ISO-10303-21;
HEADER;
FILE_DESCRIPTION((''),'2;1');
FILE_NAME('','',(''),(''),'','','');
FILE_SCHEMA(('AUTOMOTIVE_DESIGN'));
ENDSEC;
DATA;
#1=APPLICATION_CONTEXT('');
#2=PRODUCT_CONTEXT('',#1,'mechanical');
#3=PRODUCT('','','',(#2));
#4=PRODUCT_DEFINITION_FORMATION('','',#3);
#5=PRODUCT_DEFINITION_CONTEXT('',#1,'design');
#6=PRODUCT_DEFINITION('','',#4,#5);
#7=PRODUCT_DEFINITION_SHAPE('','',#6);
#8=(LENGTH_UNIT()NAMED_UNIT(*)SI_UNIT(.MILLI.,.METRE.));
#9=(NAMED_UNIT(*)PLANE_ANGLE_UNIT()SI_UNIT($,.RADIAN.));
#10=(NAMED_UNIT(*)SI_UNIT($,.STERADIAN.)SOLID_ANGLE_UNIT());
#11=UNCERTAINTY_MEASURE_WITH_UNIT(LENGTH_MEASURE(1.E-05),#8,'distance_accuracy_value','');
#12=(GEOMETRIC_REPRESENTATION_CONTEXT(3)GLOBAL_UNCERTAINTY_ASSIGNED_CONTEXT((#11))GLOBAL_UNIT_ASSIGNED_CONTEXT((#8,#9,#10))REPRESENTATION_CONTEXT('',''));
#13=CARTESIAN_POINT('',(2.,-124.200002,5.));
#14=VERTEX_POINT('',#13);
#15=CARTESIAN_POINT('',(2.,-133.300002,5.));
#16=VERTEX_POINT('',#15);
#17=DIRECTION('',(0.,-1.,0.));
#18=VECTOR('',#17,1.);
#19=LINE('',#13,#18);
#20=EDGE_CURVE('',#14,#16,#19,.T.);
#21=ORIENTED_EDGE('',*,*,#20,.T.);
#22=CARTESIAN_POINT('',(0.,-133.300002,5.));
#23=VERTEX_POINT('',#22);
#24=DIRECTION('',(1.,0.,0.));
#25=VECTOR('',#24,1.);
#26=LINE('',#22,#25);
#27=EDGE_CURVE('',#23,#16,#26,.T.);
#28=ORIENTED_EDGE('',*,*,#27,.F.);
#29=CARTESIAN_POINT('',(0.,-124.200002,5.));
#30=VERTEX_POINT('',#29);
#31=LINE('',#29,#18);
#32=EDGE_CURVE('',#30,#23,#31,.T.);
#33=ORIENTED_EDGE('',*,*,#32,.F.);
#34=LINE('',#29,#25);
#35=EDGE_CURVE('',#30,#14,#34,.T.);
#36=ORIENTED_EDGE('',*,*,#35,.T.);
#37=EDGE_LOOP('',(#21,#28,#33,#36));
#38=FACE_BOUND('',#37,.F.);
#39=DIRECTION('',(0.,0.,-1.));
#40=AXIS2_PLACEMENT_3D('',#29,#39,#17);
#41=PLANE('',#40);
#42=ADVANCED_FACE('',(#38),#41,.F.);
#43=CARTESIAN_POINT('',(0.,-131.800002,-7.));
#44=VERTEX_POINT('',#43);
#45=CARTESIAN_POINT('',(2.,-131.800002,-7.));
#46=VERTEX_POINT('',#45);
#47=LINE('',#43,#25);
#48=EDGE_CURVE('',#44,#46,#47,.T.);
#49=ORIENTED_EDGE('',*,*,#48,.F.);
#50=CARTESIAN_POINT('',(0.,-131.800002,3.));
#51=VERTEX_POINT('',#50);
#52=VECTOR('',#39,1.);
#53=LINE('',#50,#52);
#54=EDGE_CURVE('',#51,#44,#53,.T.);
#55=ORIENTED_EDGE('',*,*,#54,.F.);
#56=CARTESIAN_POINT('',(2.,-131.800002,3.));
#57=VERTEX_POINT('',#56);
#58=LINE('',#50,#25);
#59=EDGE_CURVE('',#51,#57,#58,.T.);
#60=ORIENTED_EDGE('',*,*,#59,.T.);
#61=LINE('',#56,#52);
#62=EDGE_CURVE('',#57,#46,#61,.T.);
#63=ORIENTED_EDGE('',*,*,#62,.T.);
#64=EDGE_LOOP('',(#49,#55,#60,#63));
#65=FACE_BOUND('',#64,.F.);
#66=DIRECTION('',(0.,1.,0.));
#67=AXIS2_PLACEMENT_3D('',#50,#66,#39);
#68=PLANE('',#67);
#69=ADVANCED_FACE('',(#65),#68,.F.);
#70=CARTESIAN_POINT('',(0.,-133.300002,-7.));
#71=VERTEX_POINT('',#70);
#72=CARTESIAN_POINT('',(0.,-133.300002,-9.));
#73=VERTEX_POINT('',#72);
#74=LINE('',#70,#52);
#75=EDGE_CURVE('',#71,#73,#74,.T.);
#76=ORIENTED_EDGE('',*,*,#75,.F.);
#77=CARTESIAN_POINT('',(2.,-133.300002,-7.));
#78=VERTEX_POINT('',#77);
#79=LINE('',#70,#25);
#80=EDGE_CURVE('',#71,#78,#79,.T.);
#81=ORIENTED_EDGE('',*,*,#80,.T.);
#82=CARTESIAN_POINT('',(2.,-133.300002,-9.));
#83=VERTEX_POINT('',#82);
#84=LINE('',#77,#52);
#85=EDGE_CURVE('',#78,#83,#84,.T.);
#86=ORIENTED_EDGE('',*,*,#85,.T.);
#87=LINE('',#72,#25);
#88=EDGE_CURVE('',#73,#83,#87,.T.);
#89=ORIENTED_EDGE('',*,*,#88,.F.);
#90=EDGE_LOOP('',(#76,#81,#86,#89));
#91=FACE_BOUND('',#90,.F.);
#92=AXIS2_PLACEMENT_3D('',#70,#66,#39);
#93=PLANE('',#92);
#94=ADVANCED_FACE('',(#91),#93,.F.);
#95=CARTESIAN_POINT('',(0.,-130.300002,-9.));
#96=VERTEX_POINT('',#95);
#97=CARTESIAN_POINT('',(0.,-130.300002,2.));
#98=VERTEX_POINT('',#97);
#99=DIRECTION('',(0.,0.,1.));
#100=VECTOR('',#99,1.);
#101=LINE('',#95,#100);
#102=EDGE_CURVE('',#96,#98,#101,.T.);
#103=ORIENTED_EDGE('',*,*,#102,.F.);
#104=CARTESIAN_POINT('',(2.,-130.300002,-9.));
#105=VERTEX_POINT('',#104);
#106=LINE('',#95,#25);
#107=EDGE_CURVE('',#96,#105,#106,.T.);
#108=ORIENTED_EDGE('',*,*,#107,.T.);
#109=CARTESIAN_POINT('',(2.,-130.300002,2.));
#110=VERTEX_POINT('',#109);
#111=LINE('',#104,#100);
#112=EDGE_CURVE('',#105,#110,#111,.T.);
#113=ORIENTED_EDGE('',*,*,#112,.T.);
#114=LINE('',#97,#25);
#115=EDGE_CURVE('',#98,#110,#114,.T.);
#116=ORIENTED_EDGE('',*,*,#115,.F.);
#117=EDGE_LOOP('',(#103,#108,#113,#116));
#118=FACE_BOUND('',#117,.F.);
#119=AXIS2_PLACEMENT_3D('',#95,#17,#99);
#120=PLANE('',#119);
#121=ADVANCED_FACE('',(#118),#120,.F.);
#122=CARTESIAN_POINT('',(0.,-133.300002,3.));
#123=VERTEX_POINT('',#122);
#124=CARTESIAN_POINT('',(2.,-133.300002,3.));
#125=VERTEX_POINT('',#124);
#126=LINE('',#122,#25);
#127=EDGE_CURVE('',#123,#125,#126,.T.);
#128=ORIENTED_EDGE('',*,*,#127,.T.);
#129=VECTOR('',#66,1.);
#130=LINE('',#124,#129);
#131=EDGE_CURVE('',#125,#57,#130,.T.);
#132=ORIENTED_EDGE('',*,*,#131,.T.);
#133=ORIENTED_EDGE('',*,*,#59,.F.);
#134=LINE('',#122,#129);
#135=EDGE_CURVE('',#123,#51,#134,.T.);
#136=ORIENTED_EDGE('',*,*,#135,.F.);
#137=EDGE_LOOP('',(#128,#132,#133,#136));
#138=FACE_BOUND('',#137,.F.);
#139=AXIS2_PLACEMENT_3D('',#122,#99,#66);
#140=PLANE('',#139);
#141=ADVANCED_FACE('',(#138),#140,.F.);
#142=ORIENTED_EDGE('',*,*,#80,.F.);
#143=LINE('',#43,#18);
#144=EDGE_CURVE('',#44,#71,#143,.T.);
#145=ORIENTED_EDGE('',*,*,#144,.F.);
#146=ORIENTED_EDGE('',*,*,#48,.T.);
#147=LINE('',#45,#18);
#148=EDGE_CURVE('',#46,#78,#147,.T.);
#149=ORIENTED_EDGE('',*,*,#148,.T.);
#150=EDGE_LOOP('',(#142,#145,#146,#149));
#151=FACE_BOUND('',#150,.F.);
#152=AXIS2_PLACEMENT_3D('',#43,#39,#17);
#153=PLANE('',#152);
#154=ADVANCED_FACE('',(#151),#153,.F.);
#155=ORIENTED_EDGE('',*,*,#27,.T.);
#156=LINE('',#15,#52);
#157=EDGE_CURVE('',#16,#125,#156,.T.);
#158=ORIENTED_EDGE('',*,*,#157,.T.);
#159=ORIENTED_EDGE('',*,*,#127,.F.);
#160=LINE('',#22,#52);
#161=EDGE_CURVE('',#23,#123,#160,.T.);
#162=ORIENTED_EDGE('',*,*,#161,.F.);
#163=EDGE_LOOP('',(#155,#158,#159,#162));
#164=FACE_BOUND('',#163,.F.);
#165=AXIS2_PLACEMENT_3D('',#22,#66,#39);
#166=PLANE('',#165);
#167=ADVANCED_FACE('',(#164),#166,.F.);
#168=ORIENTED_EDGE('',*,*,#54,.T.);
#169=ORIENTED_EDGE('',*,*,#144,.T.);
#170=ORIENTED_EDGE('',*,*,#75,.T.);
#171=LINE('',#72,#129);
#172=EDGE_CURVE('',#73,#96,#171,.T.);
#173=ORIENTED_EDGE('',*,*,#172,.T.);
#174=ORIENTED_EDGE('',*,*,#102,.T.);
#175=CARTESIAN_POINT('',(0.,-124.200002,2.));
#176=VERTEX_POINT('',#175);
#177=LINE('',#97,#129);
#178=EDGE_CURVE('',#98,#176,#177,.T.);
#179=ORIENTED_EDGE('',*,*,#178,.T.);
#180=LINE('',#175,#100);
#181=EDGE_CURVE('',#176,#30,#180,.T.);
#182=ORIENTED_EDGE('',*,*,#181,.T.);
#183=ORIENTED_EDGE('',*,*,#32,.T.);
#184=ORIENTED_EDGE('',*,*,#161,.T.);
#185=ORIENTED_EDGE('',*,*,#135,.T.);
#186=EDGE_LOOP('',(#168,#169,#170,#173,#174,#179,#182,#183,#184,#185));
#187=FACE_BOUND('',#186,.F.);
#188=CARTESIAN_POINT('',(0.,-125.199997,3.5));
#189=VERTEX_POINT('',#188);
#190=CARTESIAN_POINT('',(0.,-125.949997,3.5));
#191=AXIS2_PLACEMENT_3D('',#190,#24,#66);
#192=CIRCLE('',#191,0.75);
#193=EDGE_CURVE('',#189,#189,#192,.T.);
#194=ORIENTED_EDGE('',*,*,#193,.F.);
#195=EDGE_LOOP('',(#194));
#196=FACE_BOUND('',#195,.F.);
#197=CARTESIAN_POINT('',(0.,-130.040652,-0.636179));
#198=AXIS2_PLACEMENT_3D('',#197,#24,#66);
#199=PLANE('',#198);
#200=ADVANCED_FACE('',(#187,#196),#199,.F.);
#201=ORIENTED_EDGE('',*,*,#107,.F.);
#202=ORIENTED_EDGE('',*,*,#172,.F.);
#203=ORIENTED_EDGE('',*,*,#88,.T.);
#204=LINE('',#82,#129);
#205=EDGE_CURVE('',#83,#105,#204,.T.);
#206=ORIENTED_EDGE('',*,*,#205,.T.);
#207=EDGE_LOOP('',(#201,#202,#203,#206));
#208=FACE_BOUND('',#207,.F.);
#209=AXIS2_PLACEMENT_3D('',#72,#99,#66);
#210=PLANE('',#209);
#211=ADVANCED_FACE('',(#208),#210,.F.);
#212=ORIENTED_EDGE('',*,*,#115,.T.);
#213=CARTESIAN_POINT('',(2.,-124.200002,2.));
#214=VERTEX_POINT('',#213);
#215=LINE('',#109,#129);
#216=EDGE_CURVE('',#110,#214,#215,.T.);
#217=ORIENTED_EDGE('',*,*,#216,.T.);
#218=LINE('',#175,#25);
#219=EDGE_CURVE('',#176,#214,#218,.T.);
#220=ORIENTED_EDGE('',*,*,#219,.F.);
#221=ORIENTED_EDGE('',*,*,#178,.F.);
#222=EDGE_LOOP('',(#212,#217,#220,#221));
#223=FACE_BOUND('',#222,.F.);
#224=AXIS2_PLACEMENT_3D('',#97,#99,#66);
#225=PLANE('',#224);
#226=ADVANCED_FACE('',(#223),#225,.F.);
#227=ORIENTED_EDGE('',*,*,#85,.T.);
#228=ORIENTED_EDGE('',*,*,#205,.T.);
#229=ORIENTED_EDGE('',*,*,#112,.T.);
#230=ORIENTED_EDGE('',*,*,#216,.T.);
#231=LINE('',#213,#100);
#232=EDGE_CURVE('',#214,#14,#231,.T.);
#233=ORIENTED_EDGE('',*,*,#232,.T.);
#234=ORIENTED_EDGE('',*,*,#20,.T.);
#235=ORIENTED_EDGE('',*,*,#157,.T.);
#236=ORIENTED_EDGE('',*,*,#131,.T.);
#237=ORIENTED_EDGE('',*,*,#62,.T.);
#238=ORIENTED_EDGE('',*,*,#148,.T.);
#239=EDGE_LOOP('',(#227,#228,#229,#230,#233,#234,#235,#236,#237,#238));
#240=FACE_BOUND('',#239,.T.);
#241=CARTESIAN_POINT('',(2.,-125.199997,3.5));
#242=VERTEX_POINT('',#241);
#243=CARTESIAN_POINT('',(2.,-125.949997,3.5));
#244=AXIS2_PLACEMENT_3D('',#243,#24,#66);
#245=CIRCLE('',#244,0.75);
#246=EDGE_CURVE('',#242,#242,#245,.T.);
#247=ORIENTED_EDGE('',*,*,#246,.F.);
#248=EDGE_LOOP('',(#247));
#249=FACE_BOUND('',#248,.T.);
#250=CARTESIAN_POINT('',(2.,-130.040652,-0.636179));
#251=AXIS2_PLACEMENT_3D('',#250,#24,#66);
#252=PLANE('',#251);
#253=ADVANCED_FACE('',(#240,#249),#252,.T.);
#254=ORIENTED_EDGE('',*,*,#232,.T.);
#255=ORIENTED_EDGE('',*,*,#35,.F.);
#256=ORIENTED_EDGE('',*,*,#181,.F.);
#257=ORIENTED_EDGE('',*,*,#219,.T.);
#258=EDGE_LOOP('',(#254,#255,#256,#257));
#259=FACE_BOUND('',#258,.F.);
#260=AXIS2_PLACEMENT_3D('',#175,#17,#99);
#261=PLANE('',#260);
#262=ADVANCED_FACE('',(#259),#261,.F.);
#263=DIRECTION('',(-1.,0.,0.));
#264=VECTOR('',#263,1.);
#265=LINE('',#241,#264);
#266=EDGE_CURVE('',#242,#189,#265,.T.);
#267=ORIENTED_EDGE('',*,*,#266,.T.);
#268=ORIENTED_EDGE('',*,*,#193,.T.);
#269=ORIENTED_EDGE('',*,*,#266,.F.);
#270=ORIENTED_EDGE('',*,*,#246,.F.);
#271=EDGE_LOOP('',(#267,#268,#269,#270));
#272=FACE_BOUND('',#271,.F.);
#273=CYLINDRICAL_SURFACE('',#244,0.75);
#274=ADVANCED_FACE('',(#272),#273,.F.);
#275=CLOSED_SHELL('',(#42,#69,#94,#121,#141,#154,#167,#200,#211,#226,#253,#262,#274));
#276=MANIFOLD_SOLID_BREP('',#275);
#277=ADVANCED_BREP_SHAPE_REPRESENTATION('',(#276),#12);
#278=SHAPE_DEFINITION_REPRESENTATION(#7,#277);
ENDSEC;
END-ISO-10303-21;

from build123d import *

# Parameters (mm, degrees)
EXTRUDE041_DEPTH = 2
SKETCH113_R      = 0.75
HOLE025_DEPTH    = 2
HOLE025_TIPS_R   = 0.75


with BuildPart() as part:
    # Sketch090 → Extrude041 (new body)
    with BuildSketch(Plane.YZ):
        Polygon((-128.000002, 5), (-130.000002, 5), (-130.300002, 5), (-133.300002, 5), (-133.300002, 3), (-131.800002, 3), (-131.800002, -7), (-133.300002, -7), (-133.300002, -9), (-130.300002, -9), (-130.300002, 2), (-130.000002, 2), (-128.000002, 2), (-127.700002, 2), (-124.200002, 2), (-124.200002, 5), (-127.700002, 5), align=None)
    extrude(amount=EXTRUDE041_DEPTH)

    # Sketch113 (on Face19 of Extrude041) → Hole025 (cut)
    with BuildSketch(Plane.YZ.offset(2)):
        with Locations((-125.949997, 3.5)):
            Circle(SKETCH113_R)
    extrude(amount=-HOLE025_DEPTH, mode=Mode.SUBTRACT)

    # Hole025 tips → Hole025 tip 1 section 0
    with BuildSketch(Plane.YZ, mode=Mode.PRIVATE) as hole025_tip_1_s0:
        with Locations((-125.949997, 3.5)):
            Circle(HOLE025_TIPS_R)
    loft([hole025_tip_1_s0.sketch, Vertex(-0.450645, -125.949997, 3.5)], mode=Mode.SUBTRACT)


solid = part.part
